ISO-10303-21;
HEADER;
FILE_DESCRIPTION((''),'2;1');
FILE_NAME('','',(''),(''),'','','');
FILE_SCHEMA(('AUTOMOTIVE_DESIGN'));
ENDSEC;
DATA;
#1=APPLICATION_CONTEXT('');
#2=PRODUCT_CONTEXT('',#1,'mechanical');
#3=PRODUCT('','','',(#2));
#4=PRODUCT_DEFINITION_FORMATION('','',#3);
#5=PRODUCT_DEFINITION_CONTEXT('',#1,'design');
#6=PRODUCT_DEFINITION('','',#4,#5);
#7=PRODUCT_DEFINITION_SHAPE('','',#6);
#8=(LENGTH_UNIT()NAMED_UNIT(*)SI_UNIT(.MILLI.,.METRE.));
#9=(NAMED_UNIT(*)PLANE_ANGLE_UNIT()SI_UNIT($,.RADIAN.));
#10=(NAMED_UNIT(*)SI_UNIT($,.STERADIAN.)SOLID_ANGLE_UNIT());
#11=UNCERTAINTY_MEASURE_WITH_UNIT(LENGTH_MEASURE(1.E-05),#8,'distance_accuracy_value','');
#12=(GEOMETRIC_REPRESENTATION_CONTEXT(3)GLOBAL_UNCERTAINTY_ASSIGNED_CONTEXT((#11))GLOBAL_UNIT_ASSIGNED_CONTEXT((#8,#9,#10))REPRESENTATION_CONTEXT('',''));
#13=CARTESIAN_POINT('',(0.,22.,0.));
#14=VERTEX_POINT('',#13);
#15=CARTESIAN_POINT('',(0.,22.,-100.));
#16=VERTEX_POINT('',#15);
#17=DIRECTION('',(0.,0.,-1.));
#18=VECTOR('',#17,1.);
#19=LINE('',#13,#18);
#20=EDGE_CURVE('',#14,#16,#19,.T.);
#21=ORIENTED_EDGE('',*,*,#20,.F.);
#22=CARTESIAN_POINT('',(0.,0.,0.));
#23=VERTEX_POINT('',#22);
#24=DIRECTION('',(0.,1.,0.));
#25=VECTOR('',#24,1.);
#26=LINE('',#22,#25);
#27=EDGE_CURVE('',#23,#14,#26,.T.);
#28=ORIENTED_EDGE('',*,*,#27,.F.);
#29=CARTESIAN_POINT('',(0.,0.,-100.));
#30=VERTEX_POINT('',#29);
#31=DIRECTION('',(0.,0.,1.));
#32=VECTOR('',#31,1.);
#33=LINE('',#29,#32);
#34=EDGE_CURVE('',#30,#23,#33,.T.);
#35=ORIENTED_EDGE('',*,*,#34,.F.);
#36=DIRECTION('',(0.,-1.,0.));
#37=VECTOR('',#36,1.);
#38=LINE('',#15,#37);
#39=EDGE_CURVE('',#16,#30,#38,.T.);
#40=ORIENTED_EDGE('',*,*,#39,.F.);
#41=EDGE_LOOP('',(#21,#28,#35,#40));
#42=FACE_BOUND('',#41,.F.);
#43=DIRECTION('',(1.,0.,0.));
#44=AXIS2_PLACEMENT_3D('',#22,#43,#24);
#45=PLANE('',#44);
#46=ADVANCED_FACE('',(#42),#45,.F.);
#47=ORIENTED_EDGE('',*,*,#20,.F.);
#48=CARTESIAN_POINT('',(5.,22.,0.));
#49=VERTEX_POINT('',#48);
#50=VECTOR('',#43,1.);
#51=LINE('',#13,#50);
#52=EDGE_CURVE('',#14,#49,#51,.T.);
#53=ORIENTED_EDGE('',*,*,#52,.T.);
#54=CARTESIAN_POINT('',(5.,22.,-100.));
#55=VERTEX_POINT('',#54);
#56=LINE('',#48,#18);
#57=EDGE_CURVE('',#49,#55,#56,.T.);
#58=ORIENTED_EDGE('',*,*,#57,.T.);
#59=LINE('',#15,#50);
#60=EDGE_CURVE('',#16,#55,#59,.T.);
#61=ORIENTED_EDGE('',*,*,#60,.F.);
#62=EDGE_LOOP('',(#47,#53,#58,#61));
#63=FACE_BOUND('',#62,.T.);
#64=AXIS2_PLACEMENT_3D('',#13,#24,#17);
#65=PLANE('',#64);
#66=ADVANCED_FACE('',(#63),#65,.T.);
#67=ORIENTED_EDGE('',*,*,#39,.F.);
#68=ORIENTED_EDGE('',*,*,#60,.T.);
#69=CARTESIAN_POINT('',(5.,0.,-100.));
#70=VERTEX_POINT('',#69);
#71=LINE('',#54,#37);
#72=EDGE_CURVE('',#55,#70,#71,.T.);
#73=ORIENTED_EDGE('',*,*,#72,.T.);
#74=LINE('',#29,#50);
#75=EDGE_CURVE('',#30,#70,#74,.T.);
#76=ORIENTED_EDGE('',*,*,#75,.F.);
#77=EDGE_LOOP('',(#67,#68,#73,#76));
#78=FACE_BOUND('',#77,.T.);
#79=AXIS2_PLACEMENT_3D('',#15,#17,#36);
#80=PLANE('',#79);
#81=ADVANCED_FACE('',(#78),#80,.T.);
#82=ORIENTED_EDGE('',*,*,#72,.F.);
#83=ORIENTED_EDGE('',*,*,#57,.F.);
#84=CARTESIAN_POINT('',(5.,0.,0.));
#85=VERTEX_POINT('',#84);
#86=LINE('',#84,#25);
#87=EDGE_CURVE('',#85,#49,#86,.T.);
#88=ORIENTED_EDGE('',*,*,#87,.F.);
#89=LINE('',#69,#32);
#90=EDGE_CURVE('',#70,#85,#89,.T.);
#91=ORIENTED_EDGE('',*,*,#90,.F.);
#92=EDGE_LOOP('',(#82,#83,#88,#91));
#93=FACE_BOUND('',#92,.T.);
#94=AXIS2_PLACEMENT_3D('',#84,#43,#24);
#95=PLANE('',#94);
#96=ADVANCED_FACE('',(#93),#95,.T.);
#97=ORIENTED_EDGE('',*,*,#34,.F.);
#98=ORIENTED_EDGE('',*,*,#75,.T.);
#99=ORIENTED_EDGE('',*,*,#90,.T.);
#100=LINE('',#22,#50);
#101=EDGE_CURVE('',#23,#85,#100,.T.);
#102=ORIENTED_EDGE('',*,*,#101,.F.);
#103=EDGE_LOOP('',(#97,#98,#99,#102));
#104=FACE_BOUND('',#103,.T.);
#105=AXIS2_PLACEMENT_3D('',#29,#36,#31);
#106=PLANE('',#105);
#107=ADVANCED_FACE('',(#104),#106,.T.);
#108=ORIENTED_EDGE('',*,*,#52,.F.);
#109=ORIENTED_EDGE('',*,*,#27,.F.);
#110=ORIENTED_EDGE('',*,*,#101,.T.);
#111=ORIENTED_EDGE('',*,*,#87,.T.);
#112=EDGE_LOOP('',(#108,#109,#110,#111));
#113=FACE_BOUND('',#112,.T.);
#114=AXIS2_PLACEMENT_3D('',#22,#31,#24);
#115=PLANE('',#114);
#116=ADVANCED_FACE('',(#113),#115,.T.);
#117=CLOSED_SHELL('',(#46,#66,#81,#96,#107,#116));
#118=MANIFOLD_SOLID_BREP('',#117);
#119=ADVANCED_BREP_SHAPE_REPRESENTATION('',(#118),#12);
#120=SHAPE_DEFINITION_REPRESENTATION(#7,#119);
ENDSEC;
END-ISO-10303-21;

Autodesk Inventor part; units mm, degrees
ref_plane "YZ Plane" through (0, 0, 0) normal (1, 0, 0) x (0, 1, 0)
ref_plane "XZ Plane" through (0, 0, 0) normal (0, 1, 0) x (-1, 0, 0)
ref_plane "XY Plane" through (0, 0, 0) normal (0, 0, 1) x (1, 0, 0)
sketch "Sketch1" plane through (0, 0, 0) normal (1, 0, 0) x (0, 1, 0)
  line L0 (0, 0) -> (22, 0)
  line L1 (22, 0) -> (22, -100)
  line L2 (22, -100) -> (0, -100)
  line L3 (0, -100) -> (0, 0)
  dimension "d0" = 22
  dimension "d1" = 100
extrude "Extrusion1" add sketch "Sketch1" along normal blind 5
properties part number "ir sensor stand" material "UHMW, Black"
